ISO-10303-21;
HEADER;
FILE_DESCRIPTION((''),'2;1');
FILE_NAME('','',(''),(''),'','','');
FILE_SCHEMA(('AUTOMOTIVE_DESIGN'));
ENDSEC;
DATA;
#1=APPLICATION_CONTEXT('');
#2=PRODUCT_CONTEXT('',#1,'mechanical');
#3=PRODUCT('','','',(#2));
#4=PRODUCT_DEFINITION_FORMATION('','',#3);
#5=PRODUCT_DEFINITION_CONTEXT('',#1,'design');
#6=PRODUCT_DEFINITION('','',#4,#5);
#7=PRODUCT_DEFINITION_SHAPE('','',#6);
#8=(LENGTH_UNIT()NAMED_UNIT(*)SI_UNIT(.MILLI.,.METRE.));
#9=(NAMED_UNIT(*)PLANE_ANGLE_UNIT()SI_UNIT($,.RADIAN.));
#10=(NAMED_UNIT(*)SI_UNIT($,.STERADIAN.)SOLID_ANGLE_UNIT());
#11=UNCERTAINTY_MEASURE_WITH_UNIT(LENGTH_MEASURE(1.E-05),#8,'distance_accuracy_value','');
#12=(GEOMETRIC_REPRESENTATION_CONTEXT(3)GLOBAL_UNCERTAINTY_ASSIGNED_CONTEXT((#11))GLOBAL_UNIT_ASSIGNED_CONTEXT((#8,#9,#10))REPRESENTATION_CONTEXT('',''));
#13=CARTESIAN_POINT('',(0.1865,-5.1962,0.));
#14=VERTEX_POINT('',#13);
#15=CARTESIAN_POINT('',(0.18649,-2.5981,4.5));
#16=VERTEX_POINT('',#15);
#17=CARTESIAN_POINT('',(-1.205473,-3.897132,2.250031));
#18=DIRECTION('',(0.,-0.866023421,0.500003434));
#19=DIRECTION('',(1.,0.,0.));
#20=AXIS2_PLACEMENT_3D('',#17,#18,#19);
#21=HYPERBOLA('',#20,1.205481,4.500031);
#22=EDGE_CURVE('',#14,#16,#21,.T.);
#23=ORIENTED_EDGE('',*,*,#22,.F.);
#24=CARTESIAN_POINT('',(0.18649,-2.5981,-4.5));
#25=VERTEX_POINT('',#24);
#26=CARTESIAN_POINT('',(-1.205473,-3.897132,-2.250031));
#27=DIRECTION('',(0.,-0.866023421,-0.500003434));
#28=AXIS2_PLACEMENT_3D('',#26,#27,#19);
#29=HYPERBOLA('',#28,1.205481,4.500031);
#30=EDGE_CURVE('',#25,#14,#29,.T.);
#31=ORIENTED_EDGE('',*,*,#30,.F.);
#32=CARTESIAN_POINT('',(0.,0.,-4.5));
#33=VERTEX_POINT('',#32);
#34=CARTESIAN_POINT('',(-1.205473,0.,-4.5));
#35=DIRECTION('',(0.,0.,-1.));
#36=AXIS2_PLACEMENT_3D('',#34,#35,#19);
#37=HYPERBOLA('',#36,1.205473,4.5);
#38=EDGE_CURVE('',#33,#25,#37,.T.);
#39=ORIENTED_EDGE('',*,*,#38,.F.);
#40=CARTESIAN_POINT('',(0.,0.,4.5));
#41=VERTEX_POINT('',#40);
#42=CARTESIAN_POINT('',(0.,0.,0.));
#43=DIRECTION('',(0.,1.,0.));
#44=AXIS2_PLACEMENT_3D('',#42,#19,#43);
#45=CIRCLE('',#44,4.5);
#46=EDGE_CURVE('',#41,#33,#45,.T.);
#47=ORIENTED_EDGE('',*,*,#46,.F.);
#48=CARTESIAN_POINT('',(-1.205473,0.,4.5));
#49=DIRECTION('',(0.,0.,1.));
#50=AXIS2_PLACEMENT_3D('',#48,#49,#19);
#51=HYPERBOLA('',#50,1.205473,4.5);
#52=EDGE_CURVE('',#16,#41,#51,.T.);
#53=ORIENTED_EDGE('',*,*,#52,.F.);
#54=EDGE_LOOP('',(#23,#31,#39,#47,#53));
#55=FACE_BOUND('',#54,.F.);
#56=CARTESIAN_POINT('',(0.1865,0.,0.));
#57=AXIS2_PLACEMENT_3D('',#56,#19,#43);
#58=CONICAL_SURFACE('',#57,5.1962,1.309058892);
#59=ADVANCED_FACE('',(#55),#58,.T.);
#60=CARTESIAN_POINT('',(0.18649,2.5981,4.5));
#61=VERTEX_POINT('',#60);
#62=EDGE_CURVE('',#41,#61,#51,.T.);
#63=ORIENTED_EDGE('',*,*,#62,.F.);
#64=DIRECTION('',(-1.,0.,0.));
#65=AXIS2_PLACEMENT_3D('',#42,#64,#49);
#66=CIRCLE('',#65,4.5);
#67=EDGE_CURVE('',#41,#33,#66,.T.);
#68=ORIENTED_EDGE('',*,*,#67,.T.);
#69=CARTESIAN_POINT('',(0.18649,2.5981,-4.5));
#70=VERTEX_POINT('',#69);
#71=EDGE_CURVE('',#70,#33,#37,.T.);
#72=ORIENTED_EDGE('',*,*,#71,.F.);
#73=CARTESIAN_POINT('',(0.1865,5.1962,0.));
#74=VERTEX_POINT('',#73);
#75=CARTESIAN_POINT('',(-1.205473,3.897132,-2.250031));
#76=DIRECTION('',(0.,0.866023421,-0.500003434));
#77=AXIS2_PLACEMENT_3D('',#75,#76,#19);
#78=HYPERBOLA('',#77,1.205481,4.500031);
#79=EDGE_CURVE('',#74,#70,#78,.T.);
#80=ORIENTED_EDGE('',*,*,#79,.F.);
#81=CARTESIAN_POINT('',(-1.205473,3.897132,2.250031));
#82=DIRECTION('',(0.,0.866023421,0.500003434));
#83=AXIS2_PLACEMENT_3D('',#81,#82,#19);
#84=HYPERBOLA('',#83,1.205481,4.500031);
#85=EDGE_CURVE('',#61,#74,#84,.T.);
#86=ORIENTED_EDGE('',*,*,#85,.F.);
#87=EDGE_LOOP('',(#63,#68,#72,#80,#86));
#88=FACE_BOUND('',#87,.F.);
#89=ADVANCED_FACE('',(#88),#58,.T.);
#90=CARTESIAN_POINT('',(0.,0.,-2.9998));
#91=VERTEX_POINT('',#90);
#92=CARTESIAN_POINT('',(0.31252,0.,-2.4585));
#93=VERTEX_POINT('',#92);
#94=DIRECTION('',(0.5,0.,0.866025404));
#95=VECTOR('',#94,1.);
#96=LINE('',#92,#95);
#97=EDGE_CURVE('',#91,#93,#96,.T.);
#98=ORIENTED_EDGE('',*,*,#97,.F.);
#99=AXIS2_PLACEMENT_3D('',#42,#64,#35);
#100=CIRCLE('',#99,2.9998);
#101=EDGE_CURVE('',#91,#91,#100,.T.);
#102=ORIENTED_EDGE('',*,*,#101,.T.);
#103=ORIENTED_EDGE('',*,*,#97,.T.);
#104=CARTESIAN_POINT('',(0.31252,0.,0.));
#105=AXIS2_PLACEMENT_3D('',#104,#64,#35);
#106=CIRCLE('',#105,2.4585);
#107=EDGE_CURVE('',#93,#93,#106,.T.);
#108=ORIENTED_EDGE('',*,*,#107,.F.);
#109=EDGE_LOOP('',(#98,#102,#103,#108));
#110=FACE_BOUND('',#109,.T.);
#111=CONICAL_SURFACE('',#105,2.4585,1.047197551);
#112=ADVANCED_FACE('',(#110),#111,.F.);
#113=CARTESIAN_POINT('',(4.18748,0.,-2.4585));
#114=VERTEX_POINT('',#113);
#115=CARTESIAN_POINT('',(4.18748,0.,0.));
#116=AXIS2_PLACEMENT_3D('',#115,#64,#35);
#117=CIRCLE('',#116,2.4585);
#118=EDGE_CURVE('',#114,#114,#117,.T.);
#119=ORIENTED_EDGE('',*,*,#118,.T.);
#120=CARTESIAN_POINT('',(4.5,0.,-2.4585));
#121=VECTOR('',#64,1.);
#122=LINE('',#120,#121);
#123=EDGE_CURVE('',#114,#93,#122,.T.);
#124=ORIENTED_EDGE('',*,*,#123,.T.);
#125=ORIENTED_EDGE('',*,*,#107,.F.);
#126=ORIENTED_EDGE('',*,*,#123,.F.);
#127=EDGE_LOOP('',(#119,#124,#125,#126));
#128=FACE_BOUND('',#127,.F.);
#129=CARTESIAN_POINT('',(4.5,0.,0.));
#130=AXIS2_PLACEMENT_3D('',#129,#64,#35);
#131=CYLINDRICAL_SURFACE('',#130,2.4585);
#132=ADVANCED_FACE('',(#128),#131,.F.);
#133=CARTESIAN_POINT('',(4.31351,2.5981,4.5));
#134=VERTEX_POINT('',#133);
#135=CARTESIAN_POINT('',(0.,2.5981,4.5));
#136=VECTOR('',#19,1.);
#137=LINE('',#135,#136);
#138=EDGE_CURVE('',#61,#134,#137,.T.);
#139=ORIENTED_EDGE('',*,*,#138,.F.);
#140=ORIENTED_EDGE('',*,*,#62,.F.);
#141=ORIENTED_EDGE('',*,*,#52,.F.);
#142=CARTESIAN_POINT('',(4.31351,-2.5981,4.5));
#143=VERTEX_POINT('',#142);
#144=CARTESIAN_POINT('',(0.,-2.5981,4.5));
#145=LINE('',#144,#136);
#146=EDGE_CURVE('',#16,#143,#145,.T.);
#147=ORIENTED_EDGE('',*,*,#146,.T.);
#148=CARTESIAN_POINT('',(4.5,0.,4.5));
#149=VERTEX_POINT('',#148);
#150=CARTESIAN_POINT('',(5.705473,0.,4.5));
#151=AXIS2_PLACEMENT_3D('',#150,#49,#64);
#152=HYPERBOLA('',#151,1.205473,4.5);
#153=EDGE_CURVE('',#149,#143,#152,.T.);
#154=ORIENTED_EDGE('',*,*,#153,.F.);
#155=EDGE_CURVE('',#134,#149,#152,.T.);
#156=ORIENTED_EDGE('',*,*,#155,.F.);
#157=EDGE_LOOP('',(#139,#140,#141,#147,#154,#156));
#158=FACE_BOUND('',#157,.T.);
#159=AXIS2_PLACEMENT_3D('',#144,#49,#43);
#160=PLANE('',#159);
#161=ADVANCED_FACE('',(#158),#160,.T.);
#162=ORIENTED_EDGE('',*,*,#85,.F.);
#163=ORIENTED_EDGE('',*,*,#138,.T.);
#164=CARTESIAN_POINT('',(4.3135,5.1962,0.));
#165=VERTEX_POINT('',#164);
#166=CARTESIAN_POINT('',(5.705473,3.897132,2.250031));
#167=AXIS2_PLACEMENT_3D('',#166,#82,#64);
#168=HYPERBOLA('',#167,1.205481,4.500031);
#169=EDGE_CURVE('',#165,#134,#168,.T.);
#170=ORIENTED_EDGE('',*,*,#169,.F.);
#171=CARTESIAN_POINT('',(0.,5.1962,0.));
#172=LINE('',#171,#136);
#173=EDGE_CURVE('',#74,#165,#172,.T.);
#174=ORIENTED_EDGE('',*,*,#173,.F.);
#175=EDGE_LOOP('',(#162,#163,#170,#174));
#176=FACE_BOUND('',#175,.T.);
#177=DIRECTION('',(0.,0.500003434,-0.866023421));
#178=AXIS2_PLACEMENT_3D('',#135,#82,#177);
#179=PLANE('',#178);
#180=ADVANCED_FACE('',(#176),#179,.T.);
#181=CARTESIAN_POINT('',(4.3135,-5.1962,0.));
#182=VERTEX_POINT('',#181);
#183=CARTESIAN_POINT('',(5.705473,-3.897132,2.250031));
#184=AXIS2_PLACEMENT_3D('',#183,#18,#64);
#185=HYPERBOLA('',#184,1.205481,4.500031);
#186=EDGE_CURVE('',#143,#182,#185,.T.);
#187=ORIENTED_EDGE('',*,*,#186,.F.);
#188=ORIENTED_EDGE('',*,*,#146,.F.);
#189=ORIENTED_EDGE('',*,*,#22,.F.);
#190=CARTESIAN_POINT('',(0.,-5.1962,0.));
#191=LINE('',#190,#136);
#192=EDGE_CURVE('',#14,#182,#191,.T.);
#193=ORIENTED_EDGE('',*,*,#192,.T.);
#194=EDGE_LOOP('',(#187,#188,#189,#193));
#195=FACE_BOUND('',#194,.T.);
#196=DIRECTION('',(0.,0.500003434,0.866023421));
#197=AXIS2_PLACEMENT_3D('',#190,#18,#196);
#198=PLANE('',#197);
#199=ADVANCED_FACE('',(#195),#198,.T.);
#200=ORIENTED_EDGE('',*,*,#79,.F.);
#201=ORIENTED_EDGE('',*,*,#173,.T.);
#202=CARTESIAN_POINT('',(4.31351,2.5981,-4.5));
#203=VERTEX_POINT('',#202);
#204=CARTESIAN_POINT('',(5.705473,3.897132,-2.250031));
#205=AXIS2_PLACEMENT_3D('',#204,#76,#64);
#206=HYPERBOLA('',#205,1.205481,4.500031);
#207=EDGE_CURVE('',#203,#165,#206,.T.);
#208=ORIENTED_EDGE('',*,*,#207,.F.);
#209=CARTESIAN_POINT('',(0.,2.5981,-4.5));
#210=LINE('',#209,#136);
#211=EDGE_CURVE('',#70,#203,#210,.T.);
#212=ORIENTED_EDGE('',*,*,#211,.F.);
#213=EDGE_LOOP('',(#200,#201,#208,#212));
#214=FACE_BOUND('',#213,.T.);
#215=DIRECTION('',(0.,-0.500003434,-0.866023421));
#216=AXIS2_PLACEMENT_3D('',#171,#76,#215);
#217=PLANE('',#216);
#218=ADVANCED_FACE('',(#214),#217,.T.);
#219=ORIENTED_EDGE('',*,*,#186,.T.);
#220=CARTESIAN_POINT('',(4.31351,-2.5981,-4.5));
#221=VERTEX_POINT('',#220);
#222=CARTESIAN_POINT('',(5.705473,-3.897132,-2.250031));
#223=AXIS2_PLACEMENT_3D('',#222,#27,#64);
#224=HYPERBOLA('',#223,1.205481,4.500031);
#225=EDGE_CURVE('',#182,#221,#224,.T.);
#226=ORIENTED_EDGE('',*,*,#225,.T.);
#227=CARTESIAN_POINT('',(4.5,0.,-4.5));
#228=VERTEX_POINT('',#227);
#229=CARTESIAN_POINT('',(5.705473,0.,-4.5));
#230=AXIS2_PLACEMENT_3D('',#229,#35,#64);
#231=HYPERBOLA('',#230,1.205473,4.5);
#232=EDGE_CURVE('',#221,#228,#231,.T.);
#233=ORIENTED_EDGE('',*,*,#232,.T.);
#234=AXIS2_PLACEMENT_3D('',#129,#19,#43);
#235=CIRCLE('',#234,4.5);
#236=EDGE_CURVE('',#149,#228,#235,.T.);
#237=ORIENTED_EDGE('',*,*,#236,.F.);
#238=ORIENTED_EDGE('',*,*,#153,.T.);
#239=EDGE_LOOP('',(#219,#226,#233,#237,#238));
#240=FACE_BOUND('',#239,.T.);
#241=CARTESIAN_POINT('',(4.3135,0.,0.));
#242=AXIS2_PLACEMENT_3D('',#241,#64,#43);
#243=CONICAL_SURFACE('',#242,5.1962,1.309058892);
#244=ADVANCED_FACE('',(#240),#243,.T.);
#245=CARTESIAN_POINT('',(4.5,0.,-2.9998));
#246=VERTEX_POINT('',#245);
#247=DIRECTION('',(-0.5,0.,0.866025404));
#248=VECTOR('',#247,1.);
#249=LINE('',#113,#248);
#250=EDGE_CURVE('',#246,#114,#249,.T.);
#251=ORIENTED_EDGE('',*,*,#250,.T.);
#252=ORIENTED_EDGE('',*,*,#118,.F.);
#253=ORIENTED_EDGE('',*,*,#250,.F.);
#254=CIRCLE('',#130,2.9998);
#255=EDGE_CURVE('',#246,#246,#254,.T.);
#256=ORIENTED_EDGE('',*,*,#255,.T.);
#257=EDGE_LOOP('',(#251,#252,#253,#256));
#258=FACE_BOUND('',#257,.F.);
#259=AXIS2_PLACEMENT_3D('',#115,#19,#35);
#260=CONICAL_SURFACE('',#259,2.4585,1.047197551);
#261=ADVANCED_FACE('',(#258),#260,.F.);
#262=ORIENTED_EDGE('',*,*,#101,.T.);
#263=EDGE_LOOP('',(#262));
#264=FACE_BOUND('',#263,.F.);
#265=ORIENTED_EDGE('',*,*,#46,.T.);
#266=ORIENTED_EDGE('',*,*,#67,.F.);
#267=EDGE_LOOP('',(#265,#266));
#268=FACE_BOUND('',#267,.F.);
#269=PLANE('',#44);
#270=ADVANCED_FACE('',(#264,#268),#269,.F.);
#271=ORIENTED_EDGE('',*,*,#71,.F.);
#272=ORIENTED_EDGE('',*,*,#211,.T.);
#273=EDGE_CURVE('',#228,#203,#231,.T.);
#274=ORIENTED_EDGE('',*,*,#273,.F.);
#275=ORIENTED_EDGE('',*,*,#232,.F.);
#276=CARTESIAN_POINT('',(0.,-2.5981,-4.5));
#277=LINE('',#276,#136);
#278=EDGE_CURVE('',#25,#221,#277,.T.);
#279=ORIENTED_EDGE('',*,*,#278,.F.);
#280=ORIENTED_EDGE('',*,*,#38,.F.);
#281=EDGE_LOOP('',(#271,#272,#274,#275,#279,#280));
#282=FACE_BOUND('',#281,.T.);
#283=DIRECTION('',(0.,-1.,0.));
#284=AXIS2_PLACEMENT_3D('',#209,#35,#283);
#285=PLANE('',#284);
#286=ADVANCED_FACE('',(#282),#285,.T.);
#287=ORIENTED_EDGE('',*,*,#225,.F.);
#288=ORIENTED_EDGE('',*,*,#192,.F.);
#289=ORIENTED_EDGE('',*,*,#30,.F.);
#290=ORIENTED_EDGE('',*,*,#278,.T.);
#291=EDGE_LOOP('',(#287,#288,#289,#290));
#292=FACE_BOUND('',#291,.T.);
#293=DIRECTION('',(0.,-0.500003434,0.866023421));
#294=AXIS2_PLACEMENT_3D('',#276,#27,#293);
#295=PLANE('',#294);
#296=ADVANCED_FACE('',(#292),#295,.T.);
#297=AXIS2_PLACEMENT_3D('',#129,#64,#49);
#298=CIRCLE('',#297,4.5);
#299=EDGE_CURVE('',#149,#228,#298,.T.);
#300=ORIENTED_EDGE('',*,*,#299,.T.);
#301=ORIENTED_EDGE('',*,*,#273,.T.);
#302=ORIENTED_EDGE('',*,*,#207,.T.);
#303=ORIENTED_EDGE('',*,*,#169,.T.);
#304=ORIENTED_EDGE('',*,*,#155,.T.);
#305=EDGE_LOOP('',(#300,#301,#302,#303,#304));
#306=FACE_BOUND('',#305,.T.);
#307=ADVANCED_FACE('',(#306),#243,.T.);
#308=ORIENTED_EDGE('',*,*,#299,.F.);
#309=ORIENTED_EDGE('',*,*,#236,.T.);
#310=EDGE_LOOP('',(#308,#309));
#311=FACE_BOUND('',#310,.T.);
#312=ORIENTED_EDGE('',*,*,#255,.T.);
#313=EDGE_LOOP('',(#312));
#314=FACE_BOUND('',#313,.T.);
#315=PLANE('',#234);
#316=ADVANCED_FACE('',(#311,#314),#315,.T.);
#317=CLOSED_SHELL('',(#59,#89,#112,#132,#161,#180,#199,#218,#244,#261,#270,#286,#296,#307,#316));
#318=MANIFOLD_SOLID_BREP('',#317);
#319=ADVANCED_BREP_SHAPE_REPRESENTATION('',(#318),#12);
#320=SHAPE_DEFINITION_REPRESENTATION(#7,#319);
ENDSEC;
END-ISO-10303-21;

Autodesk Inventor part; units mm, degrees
ref_plane "YZ Plane" through (0, 0, 0) normal (1, 0, 0) x (0, 1, 0)
ref_plane "XZ Plane" through (0, 0, 0) normal (0, 1, 0) x (-1, 0, 0)
sketch "Sketch1" plane through (0, 0, 0) normal (1, 0, 0) x (0, 1, 0)
  line L0 (-5.1962, 0) -> (-2.5981, 4.5)
  line L1 (-2.5981, 4.5) -> (2.5981, 4.5)
  line L2 (2.5981, 4.5) -> (5.1962, 0)
  line L3 (5.1962, 0) -> (2.5981, -4.5)
  line L4 (2.5981, -4.5) -> (-2.5981, -4.5)
  line L5 (-2.5981, -4.5) -> (-5.1962, 0)
  point P0 (0, 0)
  point P1 (0, 0)
  dimension "d0" = 10.3923
extrude "Body" add sketch "Sketch1" along normal blind 4.5
sketch "Sketch2" plane through (0, 0, 0) normal (0, 0, 1) x (1, 0, 0)
  line L0 (0, 2.5981) -> (0, 5.1962) projected
  line L1 (0, 5.1962) -> (4.5, 5.1962) projected
  line L2 (4.5, 2.5981) -> (4.5, 5.1962) projected
  line L3 (-0.9, 0) -> (5.4, 0) projected
  line L4 (0.1865, 5.1962) -> (0, 4.5)
  line L5 (4.3135, 5.1962) -> (4.5, 4.5)
  dimension "d3" = 15
  dimension "d4" = 15
  dimension "d5" = 9
  dimension "d6" = 9
revolve "Chamfer1" cut sketch "Sketch2" angle 360 about axis through (-10, 0, 0) along (1, 0, 0)
sketch "Sketch3" plane through (4.5, 0, 0) normal (1, 0, 0) x (0, 0, -1)
  arc A0 (-2.25, -3.8971) -> (2.25, -3.8971) centre (0, 0) ccw projected
hole "Thread" at (4.5, 0, 0) direction (-1, 0, 0) diameter 4.917 end through all thread size "M6x1" class "6H" standard "ISO Metric profile"
chamfer "Chamfer2" distance 0.5413 angle 30 1 edges at (4.5, 0, 2.4585) measured on face at (4.5, -3.7971, -0.0988)
chamfer "Chamfer3" distance 0.5413 angle 30 1 edges at (0, 0, 2.4585) measured on face at (0, -3.7971, -0.0988)
ref_plane "Work Plane1" through (-9.9655, 0, 0) normal (0, -0.866, -0.5) x (1, 0, 0)
equation "\"d0\" = 1.1547 * SW"
equation "\"d1\" = KOH"
equation "\"d8\" = -0.5 * GD1 + 0.5 * NND"
equation "\"d40\" = -0.5 * GD1 + 0.5 * NND"
equation "\"d10\" = -0.5 * GD1 + 0.5 * NND"
equation "\"d41\" = -0.5 * GD1 + 0.5 * NND"
equation "\"d3\" = ANG1"
equation "\"d4\" = ANG2"
equation "\"d5\" = SW0"
equation "\"d6\" = SW01"
equation "\"ANG1\" = 15deg"
equation "\"ANG2\" = 15deg"
equation "\"NND\" = 6"
equation "\"KOH\" = 4.5"
equation "\"SW\" = 9"
equation "\"SW0\" = SW"
equation "\"SW01\" = SW"
equation "\"GUL\" = 0.541266 * PTC"
equation "\"THREADDIA\" = 6"
equation "\"TOA\" = 30deg"
equation "\"PTC\" = 1"
equation "\"E0\" = 1.155 * SW"
equation "\"GAL\" = 0.541266 * PTC"
equation "\"GD1\" = 4.917468"
properties part number "CSN 02 1402 - M6" material "Steel, Mild"
